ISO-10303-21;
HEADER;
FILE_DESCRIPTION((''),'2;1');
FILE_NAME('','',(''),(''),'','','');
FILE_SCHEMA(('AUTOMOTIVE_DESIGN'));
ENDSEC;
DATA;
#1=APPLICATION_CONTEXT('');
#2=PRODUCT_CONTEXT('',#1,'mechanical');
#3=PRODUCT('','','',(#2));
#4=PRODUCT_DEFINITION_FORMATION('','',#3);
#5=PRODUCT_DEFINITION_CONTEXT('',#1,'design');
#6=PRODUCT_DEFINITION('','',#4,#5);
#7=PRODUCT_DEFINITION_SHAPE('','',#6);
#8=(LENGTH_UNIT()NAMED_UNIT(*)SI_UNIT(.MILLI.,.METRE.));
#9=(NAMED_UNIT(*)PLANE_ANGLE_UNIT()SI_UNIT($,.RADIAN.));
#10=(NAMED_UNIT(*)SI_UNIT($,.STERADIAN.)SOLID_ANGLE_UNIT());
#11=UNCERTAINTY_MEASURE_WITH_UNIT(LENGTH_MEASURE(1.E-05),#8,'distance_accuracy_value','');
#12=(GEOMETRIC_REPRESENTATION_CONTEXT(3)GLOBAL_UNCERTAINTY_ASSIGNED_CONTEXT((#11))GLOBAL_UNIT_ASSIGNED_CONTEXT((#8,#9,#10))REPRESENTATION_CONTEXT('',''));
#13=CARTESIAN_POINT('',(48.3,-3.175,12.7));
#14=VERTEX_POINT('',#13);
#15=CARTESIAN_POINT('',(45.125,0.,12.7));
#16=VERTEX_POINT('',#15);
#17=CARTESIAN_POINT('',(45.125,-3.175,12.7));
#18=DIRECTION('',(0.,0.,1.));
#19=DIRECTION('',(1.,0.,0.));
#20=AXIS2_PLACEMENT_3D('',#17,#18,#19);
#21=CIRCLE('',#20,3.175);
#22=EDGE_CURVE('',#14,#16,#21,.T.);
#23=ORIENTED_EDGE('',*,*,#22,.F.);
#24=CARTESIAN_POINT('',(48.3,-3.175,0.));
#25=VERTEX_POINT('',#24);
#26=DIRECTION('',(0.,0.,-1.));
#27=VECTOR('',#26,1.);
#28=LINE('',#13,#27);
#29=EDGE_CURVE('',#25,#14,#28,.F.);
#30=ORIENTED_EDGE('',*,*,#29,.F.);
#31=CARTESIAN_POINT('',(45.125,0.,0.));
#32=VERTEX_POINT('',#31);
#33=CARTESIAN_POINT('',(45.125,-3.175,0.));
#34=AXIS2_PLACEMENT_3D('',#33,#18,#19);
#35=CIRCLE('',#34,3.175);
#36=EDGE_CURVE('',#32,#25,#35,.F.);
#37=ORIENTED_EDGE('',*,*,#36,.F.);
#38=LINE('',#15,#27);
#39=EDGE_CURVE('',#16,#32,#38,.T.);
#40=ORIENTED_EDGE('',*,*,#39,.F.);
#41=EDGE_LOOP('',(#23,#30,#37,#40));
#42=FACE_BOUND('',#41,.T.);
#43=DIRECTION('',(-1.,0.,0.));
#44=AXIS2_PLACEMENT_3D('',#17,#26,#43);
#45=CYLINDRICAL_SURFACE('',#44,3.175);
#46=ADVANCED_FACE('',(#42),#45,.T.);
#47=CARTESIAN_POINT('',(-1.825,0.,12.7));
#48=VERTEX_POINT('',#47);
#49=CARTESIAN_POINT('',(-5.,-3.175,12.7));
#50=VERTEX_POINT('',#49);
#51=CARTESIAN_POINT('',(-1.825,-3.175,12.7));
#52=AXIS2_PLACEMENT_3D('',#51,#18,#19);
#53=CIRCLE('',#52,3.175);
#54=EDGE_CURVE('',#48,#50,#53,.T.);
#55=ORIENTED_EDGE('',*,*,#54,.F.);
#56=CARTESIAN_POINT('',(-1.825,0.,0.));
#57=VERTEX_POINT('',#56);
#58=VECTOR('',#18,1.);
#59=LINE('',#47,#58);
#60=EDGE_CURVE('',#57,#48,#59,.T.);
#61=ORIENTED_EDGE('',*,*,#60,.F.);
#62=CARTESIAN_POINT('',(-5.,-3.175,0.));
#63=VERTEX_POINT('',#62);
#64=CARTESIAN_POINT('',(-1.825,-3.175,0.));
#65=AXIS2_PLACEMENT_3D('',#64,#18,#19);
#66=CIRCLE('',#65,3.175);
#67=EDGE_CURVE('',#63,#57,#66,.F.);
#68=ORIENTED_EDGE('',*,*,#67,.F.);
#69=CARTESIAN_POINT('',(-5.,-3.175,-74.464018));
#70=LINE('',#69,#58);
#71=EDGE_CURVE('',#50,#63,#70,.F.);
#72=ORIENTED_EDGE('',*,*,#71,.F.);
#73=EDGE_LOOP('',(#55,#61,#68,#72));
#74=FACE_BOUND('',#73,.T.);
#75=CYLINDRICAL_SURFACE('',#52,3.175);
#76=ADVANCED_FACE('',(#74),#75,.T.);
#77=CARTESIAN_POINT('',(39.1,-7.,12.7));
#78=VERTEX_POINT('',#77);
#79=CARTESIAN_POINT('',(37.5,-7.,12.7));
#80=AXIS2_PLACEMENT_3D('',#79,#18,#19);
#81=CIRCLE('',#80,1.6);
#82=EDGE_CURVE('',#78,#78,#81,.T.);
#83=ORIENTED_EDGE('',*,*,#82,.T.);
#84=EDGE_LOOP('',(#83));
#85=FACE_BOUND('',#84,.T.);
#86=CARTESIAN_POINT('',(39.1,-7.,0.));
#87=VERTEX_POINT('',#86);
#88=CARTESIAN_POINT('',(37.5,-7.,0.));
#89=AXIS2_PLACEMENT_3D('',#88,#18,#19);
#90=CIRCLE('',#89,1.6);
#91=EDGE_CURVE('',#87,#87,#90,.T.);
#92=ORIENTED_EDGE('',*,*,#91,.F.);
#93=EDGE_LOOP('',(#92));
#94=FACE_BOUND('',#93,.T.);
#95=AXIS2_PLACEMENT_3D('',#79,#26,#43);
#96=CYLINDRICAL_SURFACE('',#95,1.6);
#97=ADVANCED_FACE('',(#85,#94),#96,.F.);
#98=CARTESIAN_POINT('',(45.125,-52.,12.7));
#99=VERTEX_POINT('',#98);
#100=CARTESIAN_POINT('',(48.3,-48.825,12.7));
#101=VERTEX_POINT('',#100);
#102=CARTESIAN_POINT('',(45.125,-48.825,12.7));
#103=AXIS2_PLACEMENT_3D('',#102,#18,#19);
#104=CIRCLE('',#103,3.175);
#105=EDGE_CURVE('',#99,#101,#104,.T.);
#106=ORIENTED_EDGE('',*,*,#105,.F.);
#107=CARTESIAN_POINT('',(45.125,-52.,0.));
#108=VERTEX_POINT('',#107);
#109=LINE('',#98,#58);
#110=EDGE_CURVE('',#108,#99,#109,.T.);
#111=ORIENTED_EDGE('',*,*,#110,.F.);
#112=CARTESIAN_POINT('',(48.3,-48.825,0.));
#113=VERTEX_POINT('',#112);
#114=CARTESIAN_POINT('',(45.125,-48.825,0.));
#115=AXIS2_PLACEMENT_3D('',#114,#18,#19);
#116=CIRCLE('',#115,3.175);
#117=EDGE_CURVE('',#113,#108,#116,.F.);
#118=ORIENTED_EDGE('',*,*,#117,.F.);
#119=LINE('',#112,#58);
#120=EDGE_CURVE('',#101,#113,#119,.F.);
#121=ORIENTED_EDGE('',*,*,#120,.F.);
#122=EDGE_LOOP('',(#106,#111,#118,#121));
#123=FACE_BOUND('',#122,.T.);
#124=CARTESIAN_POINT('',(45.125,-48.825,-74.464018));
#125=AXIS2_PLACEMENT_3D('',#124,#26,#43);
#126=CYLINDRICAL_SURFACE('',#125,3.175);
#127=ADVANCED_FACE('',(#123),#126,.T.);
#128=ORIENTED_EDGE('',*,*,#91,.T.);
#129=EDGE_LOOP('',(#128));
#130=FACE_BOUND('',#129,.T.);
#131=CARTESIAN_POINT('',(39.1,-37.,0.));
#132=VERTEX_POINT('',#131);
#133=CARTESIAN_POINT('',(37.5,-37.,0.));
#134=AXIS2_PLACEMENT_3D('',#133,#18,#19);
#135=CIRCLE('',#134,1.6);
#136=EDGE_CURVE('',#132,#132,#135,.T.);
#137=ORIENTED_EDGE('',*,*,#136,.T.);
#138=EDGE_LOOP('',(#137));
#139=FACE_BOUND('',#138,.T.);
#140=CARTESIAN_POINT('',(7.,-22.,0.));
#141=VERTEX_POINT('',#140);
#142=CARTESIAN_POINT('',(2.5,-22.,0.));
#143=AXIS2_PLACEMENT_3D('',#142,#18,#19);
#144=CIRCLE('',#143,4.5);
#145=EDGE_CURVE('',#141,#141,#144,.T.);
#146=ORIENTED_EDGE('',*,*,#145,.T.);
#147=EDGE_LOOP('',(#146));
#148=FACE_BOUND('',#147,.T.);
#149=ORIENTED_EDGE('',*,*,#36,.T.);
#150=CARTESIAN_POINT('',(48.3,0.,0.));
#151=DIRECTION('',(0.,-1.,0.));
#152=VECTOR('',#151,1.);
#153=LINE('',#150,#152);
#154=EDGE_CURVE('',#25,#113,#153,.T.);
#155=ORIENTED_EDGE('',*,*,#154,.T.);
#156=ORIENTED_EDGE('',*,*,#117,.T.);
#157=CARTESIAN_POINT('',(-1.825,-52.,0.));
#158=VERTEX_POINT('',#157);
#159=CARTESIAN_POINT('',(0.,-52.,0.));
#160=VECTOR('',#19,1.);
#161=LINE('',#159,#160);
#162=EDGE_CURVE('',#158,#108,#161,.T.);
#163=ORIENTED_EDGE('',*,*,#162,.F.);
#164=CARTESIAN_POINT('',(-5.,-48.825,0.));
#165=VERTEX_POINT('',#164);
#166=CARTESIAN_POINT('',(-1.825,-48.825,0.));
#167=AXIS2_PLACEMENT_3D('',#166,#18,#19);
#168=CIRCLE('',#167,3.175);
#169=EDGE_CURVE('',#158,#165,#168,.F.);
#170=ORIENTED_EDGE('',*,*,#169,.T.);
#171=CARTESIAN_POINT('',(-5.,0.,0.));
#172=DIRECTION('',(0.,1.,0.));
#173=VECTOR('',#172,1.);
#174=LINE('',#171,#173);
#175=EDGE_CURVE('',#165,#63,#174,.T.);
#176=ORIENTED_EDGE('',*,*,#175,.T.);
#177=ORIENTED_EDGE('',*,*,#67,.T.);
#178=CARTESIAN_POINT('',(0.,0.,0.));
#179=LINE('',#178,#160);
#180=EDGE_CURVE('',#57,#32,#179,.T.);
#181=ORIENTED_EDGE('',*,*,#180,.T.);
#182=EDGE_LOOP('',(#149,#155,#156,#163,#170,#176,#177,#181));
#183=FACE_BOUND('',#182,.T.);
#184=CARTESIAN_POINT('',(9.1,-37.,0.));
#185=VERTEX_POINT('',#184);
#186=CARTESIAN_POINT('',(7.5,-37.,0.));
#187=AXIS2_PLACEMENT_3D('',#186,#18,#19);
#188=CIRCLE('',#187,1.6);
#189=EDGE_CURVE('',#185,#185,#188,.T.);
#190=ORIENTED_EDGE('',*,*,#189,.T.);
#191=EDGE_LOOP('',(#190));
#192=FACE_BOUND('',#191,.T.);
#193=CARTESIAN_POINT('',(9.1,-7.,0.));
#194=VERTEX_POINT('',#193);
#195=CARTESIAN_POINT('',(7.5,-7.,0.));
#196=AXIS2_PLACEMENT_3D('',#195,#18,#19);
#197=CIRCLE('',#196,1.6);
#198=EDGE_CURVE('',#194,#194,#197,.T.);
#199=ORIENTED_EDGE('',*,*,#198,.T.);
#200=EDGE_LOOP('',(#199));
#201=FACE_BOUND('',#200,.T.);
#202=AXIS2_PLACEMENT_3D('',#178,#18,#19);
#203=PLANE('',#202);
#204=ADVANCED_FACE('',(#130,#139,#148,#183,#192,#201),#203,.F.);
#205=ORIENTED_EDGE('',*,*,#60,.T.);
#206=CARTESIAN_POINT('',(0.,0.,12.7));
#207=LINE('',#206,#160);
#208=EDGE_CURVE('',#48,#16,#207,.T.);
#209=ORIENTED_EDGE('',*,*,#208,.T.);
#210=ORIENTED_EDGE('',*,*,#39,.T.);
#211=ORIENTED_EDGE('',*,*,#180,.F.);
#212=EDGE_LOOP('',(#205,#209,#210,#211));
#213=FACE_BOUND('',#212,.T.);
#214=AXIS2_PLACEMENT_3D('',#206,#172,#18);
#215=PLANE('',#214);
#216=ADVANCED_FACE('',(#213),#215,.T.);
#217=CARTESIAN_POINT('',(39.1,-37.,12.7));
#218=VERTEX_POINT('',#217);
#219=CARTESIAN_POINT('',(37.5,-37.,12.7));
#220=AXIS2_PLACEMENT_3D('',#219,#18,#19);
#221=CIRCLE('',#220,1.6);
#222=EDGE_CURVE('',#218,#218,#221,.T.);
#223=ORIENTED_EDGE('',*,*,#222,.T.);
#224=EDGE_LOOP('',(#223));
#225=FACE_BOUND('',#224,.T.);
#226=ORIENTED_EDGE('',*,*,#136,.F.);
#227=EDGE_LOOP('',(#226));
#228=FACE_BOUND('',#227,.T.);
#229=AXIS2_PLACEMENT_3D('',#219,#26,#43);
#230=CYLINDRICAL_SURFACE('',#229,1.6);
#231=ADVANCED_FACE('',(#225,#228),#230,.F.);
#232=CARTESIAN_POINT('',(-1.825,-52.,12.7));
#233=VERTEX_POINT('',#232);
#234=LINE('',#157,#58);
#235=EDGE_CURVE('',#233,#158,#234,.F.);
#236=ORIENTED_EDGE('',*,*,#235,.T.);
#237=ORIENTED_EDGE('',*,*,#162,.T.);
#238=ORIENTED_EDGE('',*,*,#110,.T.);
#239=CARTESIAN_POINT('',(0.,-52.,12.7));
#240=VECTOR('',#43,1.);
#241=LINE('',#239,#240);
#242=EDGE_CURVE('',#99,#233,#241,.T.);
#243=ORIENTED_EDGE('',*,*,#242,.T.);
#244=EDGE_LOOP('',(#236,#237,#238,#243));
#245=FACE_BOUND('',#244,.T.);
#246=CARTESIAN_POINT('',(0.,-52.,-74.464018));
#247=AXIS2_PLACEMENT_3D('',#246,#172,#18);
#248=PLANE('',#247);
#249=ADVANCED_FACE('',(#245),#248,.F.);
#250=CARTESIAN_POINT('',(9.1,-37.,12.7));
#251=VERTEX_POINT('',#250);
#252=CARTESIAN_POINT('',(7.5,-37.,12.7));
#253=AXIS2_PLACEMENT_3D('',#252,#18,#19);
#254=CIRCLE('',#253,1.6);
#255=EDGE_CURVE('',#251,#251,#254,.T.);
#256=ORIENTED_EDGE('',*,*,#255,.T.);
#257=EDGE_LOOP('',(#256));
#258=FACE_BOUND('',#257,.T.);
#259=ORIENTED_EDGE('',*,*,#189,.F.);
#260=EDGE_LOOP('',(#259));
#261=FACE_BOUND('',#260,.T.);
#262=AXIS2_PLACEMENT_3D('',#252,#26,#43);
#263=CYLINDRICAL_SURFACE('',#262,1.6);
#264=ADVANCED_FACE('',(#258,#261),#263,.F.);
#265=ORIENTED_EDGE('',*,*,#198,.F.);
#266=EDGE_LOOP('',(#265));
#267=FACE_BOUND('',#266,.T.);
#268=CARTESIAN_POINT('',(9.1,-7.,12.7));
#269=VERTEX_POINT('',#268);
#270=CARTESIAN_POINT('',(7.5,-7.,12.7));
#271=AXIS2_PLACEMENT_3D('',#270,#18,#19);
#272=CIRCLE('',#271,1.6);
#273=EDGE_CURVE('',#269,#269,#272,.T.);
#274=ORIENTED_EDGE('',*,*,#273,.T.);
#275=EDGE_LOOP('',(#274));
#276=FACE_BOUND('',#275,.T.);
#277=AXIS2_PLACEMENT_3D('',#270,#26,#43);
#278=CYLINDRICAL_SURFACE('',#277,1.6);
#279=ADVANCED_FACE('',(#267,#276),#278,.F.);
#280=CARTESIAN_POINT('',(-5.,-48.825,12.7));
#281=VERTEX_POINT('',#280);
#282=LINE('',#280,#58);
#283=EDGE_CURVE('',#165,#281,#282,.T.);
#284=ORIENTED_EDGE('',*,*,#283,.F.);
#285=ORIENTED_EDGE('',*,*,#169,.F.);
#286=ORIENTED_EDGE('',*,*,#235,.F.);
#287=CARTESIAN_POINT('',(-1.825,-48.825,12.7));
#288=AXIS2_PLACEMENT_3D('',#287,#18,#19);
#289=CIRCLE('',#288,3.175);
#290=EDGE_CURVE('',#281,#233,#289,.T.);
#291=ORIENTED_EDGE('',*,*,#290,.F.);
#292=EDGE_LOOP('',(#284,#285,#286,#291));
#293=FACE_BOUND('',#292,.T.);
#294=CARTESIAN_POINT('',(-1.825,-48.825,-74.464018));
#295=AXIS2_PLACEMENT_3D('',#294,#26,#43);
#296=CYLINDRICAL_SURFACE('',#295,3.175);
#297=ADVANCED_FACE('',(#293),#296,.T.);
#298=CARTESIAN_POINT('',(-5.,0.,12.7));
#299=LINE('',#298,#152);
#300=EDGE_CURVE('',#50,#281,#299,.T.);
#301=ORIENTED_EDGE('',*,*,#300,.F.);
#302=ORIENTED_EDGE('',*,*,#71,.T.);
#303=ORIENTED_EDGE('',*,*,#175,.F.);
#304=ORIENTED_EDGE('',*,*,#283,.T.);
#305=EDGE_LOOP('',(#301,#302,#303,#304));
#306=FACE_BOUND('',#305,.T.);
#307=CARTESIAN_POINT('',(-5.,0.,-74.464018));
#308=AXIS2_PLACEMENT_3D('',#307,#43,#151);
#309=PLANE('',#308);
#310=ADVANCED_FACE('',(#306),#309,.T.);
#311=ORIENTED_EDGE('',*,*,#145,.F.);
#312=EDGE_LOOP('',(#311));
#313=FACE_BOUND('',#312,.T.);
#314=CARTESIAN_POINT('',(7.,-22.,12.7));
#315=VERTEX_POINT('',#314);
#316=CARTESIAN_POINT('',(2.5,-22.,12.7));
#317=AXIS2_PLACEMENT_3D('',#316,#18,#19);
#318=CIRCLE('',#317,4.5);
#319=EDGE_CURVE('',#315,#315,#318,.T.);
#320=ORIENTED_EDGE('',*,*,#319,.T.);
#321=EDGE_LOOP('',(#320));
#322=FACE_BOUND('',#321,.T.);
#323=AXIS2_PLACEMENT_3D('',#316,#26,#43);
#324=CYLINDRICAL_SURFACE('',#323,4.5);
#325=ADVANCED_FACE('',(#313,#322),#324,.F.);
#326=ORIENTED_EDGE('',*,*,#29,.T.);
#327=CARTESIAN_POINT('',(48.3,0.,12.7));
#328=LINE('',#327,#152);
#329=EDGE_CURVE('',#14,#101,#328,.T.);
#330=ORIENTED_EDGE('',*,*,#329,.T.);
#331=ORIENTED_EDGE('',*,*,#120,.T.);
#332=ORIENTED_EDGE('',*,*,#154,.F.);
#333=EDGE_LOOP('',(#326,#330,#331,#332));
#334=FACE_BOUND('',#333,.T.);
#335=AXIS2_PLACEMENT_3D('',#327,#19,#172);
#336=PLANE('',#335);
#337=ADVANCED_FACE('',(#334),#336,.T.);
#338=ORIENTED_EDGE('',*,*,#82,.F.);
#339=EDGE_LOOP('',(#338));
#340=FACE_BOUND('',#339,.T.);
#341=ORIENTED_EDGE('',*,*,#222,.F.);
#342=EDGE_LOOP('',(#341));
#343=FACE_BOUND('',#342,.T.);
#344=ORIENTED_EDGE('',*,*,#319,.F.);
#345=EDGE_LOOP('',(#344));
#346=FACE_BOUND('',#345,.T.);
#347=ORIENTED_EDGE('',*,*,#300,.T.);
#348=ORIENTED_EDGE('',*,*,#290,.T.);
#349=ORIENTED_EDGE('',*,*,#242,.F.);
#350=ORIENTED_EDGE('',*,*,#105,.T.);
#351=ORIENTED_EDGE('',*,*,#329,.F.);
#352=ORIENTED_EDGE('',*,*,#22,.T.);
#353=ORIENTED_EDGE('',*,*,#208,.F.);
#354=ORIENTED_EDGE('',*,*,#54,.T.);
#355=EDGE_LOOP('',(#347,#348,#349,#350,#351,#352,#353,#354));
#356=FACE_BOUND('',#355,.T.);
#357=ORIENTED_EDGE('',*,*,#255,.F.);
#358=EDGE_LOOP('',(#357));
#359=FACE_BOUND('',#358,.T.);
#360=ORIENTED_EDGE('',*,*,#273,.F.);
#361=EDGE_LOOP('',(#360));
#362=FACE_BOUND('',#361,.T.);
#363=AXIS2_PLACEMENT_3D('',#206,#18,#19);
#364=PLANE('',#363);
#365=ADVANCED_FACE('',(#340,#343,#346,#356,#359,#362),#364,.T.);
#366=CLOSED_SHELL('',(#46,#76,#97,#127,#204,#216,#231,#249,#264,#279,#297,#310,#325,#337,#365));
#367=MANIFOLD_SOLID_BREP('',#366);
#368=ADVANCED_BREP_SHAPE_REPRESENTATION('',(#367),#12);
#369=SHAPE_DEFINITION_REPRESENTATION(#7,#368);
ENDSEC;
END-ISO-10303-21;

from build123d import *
from build123d.topology import SkipClean

# Parameters (mm, degrees)
SKETCH1_R           = 1.6
BOSS_EXTRUDE1_DEPTH = 12.7
SKETCH2_W           = 48.3
SKETCH2_H           = 8
BOSS_EXTRUDE2_DEPTH = 12.7
CUT_EXTRUDE3_DEPTH  = 73.098404975
FILLET1_R           = 3.175


with BuildPart() as part:
    # Sketch1 → Boss-Extrude1 (new body)
    with BuildSketch(Plane.XY):
        with BuildLine():
            Line((48.3, 0), (0, 0))
            Line((0, 0), (0, -18.258342613))
            ThreePointArc((0, -18.258342613), (4.621320344, -18.031373033), (7, -22))
            ThreePointArc((7, -22), (4.621320344, -25.968626967), (0, -25.741657387))
            Line((0, -25.741657387), (0, -44))
            Line((0, -44), (48.3, -44))
            Line((48.3, -44), (48.3, 0))
        make_face()
        with Locations((7.5, -37)):
            Circle(SKETCH1_R, mode=Mode.SUBTRACT)
        with Locations((37.5, -37)):
            Circle(SKETCH1_R, mode=Mode.SUBTRACT)
        with Locations((7.5, -7)):
            Circle(SKETCH1_R, mode=Mode.SUBTRACT)
        with Locations((37.5, -7)):
            Circle(SKETCH1_R, mode=Mode.SUBTRACT)
    extrude(amount=BOSS_EXTRUDE1_DEPTH)

    # Sketch2 → Boss-Extrude2 (add)
    with BuildSketch(Plane.XY.offset(12.7)):
        Polygon((0, -52), (0, -44), (0, -25.741657387), (0, -18.258342613), (0, 0), (-5, 0), (-5, -52), align=None)
        with Locations((24.15, -48)):
            Rectangle(SKETCH2_W, SKETCH2_H)
    extrude(amount=-BOSS_EXTRUDE2_DEPTH)

    # Sketch1<5> → Cut-Extrude3 (cut, through all)
    with SkipClean():  # the faces are left unmerged after this step: merging them gives an invalid solid
        with BuildSketch(Plane.XY):
            with BuildLine():
                ThreePointArc((7, -22), (4.621320344, -18.031373033), (0, -18.258342613))
                Line((0, -18.258342613), (0, -25.741657387))
                ThreePointArc((0, -25.741657387), (4.621320344, -25.968626967), (7, -22))
            make_face()
            with BuildLine():
                Line((0, -25.741657387), (0, -18.258342613))
                ThreePointArc((0, -18.258342613), (-2, -22), (0, -25.741657387))
            make_face()
        extrude(amount=CUT_EXTRUDE3_DEPTH, mode=Mode.SUBTRACT)

    # Fillet1
    fillet1_edges = [part.edges().sort_by_distance(p)[0] for p in [
        (48.3, 0, 6.35),
        (-5, 0, 6.35),
        (48.3, -52, 6.35),
        (-5, -52, 6.35),
    ]]
    fillet(fillet1_edges, radius=FILLET1_R)


solid = part.part
